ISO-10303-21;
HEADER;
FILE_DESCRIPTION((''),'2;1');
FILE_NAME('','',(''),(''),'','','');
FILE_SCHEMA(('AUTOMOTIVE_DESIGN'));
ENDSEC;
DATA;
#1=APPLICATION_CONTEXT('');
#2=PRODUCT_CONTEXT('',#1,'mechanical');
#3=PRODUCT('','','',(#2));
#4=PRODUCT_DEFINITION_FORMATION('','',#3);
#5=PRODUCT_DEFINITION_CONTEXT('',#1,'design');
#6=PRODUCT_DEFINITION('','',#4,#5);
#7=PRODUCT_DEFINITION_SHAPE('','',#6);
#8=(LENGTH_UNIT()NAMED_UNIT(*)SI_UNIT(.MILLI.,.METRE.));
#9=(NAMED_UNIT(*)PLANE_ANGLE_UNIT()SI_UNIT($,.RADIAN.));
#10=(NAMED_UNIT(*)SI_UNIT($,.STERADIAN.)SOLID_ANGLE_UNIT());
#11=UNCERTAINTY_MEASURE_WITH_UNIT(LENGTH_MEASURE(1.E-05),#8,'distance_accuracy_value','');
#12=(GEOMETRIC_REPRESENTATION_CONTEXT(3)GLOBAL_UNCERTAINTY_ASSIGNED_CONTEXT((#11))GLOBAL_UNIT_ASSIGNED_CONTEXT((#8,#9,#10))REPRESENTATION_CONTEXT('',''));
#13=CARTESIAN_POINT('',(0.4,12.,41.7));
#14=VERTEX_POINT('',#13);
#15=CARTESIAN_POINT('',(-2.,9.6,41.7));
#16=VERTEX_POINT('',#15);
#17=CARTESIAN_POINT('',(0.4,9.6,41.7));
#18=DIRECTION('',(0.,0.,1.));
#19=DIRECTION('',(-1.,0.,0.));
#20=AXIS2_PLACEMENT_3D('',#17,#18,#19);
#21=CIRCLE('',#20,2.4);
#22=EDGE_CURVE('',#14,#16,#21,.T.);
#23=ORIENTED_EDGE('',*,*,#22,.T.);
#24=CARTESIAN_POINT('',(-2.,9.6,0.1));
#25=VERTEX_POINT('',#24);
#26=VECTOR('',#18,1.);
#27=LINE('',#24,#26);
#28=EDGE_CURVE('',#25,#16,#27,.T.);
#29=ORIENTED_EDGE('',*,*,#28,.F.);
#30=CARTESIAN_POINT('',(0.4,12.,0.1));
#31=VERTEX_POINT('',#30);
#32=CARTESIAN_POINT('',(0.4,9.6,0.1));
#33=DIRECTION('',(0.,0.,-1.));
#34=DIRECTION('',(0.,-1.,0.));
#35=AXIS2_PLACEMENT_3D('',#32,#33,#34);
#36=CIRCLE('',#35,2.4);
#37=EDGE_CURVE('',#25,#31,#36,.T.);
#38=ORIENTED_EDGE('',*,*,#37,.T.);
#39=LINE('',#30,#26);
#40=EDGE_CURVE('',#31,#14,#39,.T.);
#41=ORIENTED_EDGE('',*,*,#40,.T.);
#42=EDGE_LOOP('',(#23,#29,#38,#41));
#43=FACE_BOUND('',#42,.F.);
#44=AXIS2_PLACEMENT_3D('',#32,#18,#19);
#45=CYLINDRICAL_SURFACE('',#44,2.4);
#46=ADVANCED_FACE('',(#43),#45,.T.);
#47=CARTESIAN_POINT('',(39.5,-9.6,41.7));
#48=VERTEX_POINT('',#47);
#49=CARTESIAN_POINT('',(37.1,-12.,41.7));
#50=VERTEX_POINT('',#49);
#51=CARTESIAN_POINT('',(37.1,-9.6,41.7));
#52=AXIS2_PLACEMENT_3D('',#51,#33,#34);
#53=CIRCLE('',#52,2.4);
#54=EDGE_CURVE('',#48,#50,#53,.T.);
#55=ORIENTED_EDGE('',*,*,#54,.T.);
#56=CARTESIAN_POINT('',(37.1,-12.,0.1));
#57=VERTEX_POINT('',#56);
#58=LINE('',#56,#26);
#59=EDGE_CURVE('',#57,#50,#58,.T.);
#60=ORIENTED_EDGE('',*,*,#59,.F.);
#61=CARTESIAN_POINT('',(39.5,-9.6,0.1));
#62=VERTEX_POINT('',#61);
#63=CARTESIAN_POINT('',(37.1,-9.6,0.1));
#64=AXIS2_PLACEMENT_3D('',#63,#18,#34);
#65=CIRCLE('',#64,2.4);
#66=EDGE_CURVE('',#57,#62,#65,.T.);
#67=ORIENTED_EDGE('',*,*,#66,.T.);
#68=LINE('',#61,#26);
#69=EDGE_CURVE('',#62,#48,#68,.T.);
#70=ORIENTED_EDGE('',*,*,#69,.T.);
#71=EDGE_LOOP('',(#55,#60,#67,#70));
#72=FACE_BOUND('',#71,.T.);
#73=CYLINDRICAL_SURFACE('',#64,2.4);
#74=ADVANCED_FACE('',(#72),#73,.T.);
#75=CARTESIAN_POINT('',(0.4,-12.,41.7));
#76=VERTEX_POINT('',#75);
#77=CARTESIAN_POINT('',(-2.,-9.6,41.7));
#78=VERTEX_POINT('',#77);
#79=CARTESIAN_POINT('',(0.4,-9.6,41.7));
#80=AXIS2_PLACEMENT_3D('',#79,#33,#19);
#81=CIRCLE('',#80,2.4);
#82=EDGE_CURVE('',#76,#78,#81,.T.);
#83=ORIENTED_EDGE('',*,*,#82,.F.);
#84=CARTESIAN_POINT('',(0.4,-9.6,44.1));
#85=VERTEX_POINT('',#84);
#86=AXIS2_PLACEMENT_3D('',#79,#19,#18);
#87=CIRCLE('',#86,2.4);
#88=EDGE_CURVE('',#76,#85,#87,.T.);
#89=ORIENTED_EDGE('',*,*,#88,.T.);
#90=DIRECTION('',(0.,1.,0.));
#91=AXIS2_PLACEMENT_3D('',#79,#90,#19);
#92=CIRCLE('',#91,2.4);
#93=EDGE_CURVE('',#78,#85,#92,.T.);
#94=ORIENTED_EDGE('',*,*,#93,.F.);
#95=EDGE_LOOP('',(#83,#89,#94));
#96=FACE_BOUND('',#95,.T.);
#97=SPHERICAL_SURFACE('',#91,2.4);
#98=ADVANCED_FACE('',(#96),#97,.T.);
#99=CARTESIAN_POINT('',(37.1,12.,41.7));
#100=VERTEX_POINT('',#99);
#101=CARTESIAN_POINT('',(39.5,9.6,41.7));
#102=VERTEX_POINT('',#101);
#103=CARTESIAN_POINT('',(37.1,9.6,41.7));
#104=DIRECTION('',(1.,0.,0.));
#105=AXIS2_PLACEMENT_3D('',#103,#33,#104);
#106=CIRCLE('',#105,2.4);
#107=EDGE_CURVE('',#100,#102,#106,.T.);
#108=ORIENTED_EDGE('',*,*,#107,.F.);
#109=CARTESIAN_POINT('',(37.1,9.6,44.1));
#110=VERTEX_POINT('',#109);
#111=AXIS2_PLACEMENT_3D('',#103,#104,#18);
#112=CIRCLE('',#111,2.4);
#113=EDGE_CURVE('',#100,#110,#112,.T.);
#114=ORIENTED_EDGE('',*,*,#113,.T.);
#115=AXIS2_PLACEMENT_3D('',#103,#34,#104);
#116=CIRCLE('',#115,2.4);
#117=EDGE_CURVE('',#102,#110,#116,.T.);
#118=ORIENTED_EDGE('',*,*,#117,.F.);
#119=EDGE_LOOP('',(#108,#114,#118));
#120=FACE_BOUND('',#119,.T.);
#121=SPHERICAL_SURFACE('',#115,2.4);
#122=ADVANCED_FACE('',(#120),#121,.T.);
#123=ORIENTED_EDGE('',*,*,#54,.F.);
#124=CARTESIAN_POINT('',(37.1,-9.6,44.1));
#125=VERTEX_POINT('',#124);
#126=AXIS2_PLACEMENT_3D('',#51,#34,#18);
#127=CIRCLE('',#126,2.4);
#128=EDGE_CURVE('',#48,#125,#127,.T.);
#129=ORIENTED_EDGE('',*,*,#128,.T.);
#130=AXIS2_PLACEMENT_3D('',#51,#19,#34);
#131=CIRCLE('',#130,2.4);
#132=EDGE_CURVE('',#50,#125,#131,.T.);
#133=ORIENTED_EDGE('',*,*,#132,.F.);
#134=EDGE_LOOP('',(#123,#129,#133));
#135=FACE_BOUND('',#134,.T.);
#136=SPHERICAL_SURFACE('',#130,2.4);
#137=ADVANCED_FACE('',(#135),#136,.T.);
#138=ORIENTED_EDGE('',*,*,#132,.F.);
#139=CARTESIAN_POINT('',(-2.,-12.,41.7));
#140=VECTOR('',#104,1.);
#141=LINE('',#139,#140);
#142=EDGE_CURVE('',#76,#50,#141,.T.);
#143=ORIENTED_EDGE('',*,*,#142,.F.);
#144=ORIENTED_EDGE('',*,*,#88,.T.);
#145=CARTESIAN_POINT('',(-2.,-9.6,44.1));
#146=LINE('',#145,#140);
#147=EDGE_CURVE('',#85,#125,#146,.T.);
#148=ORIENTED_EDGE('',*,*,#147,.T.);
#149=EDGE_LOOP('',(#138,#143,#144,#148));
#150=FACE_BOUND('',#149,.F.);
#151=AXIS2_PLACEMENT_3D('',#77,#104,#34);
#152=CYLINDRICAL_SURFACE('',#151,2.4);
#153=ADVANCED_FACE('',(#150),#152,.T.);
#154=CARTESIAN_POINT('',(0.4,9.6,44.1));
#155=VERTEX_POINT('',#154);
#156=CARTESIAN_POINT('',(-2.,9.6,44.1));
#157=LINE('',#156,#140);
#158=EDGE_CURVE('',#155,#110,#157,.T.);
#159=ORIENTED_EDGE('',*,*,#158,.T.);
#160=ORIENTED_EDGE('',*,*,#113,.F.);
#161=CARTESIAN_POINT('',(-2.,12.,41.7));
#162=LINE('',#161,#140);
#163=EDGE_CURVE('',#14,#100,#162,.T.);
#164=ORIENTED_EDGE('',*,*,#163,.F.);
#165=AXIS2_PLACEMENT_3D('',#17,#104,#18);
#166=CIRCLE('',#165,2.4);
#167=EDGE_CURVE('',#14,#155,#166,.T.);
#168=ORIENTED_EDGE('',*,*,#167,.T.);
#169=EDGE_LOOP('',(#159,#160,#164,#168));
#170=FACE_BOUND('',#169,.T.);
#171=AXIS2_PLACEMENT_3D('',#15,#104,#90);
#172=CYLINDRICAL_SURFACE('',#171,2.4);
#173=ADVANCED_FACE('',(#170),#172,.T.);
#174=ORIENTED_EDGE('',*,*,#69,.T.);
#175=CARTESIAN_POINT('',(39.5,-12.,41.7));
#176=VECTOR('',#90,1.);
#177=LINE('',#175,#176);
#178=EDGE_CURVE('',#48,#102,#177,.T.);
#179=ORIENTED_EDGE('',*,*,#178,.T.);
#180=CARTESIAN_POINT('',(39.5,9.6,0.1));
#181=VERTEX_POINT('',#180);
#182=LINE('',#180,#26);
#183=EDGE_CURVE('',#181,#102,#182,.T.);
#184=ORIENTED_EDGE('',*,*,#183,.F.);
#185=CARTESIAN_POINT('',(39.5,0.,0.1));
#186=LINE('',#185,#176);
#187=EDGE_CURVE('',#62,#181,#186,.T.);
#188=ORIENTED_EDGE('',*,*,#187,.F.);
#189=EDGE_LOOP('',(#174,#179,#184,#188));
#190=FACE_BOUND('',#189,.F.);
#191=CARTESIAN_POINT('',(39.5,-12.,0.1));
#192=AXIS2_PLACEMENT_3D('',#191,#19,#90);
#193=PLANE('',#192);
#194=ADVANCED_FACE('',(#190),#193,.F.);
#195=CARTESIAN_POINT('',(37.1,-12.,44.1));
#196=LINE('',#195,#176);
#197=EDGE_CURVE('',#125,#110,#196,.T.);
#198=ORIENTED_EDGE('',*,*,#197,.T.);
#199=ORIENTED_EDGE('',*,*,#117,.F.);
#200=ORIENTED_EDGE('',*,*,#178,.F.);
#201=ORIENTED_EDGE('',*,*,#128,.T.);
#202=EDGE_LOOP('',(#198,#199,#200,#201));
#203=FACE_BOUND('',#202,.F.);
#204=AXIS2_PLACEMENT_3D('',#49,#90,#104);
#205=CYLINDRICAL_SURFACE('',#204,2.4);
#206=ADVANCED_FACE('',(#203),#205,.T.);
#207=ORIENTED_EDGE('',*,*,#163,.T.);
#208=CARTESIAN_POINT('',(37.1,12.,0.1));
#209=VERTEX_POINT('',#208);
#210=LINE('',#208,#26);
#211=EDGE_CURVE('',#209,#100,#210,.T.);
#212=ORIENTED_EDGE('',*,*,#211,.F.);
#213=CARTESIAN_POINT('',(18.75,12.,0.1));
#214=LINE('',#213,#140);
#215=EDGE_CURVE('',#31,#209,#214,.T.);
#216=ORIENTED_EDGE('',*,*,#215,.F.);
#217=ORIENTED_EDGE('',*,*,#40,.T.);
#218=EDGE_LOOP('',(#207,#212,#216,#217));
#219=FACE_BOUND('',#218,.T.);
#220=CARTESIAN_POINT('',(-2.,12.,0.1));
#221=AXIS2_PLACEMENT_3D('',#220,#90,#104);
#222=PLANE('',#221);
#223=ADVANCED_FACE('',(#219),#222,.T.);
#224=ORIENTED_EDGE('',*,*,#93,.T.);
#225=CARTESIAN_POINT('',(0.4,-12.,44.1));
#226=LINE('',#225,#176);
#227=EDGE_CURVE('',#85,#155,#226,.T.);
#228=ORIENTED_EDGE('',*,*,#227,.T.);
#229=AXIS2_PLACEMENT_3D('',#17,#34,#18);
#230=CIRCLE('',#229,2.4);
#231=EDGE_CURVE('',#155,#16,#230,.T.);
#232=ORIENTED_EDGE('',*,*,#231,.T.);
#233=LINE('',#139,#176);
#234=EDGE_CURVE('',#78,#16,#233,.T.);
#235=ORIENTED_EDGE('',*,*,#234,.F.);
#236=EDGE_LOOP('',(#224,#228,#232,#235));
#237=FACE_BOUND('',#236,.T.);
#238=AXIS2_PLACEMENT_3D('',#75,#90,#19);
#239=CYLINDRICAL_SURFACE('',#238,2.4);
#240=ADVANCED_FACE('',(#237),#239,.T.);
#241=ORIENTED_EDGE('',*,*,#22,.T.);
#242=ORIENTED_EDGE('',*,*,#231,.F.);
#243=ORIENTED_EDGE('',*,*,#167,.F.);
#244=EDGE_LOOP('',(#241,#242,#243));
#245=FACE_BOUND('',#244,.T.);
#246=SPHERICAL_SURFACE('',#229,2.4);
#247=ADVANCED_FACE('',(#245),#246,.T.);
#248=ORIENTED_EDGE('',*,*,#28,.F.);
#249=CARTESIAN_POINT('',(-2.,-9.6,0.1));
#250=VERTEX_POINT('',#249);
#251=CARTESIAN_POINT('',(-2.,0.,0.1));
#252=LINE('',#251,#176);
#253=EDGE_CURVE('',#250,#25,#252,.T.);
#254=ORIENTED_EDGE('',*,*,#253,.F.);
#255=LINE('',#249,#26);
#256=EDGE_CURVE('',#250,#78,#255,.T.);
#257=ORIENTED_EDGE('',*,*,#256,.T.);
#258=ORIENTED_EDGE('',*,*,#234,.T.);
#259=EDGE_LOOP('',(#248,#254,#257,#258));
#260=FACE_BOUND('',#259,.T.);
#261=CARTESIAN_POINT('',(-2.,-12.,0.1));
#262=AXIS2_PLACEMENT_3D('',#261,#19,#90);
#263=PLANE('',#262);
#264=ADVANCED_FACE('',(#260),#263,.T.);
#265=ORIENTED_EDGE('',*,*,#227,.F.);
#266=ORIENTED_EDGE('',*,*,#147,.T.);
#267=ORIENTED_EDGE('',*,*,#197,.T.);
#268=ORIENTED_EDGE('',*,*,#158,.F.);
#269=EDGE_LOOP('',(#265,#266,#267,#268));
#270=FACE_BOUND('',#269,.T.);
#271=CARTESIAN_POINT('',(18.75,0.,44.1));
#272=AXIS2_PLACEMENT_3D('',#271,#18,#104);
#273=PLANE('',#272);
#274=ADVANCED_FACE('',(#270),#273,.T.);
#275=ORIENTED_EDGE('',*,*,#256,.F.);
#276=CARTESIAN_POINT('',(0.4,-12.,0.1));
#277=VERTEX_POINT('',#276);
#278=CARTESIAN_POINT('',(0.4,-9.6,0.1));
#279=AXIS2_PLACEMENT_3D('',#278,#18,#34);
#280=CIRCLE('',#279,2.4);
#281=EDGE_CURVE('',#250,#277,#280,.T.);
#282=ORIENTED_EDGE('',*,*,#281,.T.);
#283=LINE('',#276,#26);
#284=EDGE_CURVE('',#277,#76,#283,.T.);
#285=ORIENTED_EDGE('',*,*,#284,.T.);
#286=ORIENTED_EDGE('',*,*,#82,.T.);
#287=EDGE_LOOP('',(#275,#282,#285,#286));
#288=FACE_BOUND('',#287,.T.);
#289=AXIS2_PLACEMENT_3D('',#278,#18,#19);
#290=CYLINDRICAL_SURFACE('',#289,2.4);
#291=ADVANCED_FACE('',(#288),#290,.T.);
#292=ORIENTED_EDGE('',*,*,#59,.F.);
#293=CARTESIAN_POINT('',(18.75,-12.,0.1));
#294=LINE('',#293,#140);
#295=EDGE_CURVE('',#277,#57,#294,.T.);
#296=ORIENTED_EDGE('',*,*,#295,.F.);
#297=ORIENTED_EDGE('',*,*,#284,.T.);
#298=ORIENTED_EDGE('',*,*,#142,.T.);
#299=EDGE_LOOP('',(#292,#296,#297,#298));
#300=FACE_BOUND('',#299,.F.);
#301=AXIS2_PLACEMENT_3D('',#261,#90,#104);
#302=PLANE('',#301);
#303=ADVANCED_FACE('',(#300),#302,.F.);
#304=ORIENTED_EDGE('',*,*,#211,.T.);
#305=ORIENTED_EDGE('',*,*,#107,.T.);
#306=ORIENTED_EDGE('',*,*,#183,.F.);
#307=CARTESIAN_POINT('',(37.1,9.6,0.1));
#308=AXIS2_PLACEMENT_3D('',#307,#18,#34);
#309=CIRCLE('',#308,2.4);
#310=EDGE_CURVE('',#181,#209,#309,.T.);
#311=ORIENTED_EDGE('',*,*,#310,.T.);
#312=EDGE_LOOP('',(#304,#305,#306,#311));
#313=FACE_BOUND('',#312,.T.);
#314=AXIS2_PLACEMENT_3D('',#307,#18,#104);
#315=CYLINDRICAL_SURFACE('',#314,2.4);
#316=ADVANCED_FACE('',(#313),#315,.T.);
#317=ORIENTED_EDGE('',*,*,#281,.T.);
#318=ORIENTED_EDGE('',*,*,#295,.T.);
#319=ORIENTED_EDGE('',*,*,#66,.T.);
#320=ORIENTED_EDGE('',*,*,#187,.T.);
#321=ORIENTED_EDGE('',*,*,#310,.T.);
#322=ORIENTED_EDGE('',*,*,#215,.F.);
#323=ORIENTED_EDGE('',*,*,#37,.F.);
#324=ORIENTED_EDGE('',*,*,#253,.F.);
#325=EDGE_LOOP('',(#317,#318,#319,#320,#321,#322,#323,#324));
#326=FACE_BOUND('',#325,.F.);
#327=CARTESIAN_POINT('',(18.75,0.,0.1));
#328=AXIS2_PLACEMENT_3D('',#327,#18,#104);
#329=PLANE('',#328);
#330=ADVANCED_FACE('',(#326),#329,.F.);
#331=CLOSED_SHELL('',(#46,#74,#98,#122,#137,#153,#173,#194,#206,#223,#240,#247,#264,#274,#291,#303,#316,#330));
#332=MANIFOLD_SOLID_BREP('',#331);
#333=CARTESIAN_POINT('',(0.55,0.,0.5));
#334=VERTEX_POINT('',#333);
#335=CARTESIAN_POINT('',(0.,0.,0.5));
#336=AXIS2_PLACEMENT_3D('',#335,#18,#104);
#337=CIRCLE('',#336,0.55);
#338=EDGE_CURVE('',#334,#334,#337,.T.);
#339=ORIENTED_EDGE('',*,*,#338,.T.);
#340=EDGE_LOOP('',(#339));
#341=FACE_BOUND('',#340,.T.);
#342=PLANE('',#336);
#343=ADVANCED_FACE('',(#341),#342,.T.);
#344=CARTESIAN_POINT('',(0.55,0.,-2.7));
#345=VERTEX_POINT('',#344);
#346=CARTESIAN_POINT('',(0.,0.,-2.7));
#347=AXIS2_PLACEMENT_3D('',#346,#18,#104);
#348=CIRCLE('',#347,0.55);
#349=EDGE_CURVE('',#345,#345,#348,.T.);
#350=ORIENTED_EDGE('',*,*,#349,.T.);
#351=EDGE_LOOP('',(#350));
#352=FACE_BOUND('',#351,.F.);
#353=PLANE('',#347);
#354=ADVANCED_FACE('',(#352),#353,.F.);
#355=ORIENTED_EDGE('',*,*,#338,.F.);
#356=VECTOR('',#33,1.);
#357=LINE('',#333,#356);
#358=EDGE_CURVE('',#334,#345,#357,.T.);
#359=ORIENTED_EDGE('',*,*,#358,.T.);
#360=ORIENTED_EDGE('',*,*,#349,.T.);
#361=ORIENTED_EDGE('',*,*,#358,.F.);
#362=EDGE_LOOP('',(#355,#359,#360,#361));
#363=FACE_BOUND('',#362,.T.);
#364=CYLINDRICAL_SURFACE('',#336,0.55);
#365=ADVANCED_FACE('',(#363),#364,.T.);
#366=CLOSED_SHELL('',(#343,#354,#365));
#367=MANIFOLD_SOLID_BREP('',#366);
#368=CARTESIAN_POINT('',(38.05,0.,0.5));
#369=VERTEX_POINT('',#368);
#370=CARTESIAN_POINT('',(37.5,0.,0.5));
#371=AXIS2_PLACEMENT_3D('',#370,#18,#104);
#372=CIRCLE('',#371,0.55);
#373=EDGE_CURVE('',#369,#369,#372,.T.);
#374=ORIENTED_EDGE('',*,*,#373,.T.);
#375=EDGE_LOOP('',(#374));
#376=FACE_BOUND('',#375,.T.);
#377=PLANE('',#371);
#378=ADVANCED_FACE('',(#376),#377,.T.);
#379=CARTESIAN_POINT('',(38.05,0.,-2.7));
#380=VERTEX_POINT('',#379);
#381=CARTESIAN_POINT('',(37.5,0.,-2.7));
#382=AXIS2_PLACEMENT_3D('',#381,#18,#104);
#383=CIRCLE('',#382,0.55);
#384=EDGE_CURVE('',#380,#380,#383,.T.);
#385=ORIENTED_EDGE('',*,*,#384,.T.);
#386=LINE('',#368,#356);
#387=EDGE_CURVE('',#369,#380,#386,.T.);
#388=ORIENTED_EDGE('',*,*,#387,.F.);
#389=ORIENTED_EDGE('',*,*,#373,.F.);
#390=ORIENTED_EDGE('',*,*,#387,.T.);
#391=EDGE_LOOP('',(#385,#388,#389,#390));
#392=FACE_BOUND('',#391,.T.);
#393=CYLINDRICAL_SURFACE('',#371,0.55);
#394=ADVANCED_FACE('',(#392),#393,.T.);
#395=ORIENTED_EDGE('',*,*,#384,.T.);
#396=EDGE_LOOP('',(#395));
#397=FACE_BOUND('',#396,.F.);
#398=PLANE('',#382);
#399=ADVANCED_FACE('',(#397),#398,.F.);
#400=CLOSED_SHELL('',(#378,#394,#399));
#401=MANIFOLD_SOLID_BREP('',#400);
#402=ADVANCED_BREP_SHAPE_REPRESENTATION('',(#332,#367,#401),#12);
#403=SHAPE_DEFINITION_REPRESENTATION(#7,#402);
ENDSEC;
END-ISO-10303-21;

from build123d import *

# Parameters (mm, degrees)
SKETCH_W     = 41.5
SKETCH_H     = 24
PAD_DEPTH    = 44
FILLET_R     = 2.4
SKETCH001_R  = 0.55
PAD001_DEPTH = 3.2


with BuildPart() as fillet_body:
    # Sketch → Pad (new body)
    with BuildSketch(Plane.XY.offset(0.1)):
        with Locations((18.75, 0)):
            Rectangle(SKETCH_W, SKETCH_H)
    extrude(amount=PAD_DEPTH)

    # Fillet
    fillet_edges = [fillet_body.edges().sort_by_distance(p)[0] for p in [
        (-2, 0, 44.1),
        (-2, -12, 22.1),
        (18.75, -12, 44.1),
        (39.5, -12, 22.1),
        (39.5, 0, 44.1),
        (39.5, 12, 22.1),
        (18.75, 12, 44.1),
        (-2, 12, 22.1),
    ]]
    fillet(fillet_edges, radius=FILLET_R)


with BuildPart() as pad001:
    # Sketch001 → Pad001 (new body)
    with BuildSketch(Plane.XY.offset(0.5)):
        Circle(SKETCH001_R)
        with Locations((37.5, 0)):
            Circle(SKETCH001_R)
    extrude(amount=-PAD001_DEPTH)


solid = Compound([fillet_body.part, pad001.part])
